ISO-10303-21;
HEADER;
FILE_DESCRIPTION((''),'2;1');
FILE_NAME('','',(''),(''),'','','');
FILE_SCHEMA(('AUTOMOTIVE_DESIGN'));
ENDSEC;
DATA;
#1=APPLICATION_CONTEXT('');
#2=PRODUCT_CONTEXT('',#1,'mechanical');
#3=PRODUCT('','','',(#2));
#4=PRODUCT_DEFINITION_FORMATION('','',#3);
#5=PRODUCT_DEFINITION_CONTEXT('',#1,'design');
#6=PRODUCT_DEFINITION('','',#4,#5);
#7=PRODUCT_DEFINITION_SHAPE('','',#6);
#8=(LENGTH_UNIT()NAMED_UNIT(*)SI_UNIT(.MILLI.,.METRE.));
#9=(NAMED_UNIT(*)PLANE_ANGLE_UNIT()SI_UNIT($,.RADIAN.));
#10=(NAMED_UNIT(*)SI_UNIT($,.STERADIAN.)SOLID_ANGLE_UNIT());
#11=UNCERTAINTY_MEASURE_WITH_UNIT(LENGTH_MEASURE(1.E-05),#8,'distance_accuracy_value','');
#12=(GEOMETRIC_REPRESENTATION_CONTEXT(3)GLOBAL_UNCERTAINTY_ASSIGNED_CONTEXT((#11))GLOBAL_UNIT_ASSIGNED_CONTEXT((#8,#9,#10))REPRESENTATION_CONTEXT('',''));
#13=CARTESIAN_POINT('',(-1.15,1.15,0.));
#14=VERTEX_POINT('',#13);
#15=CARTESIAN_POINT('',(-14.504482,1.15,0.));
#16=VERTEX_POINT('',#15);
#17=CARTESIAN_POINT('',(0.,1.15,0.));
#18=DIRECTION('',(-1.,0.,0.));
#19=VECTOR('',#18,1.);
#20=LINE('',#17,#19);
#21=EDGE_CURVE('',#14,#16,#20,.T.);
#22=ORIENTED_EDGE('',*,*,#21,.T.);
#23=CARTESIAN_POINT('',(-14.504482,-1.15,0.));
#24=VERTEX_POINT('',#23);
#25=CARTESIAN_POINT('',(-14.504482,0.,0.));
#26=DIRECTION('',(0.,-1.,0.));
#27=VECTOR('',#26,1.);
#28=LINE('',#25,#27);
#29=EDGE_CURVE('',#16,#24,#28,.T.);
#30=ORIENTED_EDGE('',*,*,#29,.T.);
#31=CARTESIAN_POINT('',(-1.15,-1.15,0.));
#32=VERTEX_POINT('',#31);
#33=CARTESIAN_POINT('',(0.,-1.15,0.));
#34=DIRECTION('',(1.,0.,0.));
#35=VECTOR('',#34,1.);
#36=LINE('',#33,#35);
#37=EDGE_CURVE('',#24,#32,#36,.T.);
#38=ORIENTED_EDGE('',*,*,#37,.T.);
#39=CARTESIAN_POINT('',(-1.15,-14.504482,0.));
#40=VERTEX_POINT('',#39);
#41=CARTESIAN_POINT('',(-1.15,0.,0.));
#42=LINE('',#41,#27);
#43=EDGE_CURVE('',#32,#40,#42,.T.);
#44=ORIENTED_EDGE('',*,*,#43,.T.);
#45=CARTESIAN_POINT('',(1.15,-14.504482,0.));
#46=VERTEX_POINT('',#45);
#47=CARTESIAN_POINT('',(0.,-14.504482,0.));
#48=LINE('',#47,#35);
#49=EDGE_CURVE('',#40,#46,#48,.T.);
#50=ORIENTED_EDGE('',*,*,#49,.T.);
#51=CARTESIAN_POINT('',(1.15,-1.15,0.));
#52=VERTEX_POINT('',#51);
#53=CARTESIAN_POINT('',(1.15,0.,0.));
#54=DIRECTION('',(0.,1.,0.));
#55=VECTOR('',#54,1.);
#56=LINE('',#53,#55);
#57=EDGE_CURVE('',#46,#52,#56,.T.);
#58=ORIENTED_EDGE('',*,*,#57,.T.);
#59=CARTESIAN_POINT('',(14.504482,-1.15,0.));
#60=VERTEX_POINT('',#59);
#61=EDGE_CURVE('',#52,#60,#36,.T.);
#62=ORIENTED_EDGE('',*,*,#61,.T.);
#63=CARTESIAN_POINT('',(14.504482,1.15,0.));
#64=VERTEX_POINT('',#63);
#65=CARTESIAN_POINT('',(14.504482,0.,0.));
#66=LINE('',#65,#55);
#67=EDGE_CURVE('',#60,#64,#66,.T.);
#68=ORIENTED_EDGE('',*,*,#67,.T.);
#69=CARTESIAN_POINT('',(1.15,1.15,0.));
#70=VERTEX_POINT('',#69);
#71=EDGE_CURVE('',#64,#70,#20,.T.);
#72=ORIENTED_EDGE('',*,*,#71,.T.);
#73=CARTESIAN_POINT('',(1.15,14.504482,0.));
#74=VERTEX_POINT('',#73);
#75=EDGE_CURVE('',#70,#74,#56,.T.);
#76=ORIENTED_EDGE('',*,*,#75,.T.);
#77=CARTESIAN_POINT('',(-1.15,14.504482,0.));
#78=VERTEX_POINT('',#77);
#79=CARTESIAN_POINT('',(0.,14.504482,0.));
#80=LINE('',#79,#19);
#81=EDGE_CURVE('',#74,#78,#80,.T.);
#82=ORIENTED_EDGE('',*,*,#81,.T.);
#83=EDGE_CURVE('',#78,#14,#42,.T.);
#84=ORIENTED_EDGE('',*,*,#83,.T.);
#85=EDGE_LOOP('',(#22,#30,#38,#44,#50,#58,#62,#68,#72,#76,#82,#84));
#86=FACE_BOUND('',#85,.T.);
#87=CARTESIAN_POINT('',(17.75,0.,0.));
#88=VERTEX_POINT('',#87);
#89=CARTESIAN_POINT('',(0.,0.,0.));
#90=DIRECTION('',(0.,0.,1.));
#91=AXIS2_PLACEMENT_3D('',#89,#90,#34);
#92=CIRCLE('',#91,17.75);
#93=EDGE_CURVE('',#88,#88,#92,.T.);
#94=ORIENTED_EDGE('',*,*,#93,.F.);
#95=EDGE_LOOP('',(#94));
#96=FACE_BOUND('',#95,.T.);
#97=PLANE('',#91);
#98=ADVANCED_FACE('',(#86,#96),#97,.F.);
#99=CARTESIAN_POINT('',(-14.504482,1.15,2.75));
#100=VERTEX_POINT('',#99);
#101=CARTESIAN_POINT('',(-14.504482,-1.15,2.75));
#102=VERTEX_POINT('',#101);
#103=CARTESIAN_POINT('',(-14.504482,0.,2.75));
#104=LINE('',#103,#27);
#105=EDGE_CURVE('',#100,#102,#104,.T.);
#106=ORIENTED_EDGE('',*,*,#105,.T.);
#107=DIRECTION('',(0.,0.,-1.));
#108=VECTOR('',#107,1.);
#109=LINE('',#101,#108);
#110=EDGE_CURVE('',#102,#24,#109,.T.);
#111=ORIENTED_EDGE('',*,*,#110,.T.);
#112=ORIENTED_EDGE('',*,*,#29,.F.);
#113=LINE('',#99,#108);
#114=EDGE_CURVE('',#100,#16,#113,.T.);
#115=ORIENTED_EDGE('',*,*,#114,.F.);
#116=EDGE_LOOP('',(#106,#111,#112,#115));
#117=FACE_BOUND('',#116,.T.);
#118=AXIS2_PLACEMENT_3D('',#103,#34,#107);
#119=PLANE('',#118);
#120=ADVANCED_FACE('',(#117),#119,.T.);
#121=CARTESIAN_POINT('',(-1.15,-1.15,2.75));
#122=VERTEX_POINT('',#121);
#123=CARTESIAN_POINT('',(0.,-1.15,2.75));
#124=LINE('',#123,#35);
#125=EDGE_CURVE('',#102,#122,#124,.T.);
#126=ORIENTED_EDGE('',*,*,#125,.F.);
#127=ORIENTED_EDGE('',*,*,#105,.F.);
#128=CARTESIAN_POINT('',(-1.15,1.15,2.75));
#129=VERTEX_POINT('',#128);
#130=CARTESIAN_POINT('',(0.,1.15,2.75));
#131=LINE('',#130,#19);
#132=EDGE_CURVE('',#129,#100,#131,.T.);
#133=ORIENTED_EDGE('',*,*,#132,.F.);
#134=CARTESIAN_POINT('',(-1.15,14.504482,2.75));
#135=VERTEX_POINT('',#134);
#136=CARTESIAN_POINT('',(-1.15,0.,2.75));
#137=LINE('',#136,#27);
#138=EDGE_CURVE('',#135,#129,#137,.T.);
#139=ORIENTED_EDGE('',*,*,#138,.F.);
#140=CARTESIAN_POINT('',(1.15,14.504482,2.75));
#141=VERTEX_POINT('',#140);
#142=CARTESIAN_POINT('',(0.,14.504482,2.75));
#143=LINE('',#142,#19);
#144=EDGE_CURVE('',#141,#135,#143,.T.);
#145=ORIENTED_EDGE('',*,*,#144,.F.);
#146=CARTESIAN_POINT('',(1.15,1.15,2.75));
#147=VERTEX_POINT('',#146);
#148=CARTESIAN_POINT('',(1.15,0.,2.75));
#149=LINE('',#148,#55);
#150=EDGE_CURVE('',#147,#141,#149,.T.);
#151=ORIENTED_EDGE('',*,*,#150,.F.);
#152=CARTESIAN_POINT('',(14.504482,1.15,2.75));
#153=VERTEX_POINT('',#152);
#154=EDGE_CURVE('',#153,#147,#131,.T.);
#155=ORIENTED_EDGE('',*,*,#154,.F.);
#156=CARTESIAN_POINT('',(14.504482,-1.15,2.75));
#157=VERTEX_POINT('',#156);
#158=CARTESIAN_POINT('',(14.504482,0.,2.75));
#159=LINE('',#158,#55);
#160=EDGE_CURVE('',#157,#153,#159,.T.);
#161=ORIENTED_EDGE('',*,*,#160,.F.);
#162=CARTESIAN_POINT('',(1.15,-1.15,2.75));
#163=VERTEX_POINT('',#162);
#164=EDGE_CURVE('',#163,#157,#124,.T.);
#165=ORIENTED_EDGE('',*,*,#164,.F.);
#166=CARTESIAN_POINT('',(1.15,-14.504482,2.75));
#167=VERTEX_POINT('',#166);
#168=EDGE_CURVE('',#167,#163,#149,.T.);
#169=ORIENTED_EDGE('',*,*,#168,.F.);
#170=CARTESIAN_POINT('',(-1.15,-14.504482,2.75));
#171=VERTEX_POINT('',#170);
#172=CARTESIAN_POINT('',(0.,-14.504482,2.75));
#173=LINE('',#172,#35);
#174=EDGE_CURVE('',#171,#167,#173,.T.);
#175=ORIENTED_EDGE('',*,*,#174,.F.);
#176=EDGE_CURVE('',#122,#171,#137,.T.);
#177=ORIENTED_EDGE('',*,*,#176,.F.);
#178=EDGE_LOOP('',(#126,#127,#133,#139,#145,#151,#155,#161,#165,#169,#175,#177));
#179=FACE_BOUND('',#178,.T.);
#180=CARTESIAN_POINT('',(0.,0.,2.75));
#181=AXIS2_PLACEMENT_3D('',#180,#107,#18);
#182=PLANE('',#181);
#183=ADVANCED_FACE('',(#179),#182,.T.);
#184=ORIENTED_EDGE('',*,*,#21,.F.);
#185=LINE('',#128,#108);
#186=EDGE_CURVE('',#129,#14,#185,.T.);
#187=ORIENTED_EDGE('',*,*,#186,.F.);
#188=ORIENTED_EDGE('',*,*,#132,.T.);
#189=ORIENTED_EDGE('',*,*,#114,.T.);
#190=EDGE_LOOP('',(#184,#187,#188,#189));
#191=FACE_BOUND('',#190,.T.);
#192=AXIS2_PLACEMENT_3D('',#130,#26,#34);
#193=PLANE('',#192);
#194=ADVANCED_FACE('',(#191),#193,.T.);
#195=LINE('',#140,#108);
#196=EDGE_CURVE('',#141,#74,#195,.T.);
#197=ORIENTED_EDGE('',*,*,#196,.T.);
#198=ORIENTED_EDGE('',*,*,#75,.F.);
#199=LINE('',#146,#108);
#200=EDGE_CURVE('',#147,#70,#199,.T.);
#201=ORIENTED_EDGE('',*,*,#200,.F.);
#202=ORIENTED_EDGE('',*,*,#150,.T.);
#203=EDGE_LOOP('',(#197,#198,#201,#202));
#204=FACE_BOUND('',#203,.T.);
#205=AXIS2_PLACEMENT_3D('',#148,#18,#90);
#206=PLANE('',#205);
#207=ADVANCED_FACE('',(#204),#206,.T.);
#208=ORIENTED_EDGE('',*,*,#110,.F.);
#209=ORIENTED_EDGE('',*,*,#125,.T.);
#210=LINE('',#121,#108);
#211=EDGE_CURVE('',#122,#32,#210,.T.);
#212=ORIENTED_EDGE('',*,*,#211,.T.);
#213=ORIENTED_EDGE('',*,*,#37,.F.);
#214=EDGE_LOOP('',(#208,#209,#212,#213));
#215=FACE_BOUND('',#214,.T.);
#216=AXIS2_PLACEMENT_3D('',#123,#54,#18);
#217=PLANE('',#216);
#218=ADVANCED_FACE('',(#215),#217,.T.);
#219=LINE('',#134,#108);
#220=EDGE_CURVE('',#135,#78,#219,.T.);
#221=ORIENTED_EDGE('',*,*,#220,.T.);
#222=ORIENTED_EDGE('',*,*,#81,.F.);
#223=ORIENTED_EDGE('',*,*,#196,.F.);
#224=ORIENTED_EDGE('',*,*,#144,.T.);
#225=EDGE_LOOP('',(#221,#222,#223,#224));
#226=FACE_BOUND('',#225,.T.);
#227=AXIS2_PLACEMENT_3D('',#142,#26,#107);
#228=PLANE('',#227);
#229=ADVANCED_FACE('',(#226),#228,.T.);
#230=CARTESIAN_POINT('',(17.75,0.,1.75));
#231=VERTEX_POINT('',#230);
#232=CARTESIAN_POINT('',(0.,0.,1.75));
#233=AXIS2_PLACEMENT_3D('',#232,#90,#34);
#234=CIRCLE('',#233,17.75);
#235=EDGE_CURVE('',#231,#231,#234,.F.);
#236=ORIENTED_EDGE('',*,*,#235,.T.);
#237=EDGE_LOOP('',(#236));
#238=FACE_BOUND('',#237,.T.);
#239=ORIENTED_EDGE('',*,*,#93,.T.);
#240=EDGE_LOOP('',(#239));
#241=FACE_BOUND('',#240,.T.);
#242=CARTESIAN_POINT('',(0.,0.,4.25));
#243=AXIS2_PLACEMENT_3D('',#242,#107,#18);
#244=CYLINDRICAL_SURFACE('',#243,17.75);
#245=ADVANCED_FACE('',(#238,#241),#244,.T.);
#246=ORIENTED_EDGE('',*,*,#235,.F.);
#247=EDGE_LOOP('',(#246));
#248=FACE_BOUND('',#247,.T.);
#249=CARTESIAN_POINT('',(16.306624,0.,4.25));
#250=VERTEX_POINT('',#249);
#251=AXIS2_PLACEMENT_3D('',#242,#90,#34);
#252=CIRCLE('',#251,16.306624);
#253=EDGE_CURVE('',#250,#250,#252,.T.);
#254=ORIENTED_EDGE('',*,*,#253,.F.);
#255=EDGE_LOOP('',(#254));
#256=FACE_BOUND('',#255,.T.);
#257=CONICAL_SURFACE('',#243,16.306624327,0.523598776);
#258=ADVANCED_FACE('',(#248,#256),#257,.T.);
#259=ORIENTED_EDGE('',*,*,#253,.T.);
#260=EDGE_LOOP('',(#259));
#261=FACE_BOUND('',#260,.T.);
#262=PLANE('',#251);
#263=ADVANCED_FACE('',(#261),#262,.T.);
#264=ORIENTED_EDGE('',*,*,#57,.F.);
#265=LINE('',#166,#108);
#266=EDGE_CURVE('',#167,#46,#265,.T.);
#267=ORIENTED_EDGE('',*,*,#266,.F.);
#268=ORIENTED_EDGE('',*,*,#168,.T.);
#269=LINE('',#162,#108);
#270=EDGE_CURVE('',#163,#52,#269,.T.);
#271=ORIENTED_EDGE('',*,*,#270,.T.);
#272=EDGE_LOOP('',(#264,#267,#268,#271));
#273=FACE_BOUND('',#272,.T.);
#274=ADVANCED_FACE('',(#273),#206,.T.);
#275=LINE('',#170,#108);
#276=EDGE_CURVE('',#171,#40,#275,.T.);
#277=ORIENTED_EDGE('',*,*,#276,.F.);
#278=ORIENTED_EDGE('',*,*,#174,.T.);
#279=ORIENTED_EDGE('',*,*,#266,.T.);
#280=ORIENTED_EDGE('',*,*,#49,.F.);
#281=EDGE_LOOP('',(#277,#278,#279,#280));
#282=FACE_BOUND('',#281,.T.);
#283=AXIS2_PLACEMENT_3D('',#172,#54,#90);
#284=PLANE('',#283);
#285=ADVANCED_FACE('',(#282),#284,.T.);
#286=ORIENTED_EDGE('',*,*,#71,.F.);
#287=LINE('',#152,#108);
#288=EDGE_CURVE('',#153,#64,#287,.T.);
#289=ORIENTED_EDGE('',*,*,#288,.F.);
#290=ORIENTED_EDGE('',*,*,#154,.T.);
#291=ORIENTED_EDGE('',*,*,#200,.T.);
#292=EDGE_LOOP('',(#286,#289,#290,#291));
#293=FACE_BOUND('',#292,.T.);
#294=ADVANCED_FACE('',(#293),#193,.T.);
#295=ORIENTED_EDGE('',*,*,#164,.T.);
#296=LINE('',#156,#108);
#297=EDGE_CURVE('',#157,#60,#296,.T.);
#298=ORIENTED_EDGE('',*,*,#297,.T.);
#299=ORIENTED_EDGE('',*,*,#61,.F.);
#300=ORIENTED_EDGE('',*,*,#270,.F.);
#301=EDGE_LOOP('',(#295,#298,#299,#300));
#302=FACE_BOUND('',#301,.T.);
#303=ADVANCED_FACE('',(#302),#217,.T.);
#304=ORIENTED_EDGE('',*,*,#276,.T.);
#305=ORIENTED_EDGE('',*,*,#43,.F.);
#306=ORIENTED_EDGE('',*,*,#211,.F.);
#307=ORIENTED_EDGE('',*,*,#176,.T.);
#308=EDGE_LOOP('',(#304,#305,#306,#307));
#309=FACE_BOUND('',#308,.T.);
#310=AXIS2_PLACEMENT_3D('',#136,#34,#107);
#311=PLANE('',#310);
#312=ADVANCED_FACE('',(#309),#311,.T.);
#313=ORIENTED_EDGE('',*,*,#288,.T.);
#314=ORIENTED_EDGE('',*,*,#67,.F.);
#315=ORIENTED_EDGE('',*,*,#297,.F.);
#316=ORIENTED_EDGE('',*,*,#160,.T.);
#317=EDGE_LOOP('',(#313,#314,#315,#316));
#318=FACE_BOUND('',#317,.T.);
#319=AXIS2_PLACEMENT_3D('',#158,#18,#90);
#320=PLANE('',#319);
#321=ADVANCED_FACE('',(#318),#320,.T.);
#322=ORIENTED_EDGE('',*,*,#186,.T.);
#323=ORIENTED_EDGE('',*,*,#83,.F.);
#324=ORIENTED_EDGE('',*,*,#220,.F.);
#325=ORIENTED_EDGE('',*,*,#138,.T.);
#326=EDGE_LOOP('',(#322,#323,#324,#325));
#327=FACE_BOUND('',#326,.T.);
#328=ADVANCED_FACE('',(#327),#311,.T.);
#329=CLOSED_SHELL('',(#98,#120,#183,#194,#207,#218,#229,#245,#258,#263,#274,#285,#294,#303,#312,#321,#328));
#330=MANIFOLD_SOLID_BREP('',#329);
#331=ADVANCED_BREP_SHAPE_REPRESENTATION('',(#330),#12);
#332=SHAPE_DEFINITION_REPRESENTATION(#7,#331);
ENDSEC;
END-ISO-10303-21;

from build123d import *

# Parameters (mm, degrees)
SKETCH1_R           = 17.75
BOSS_EXTRUDE1_DEPTH = 4.25
CUT_EXTRUDE1_DEPTH  = 2.75
CHAMFER1_SIZE       = 2.5
CHAMFER1_SIZE2      = 1.443375673


with BuildPart() as part:
    # Sketch1 → Boss-Extrude1 (new body)
    with BuildSketch(Plane.XY):
        Circle(SKETCH1_R)
    extrude(amount=BOSS_EXTRUDE1_DEPTH)

    # Sketch2 → Cut-Extrude1 (cut)
    with BuildSketch(Plane(origin=(0, 0, 0), x_dir=(-1, 0, 0), z_dir=(0, 0, -1))):
        Polygon((-14.504482066, -1.15), (-14.504482066, 1.15), (-1.15, 1.15), (-1.15, 14.504482066), (1.15, 14.504482066), (1.15, 1.15), (14.504482066, 1.15), (14.504482066, -1.15), (1.15, -1.15), (1.15, -14.504482066), (-1.15, -14.504482066), (-1.15, -1.15), align=None)
    extrude(amount=-CUT_EXTRUDE1_DEPTH, mode=Mode.SUBTRACT)

    # Chamfer1
    chamfer1_edges = [part.edges().sort_by_distance(p)[0] for p in [
        (-17.75, 0, 4.25),
    ]]
    chamfer1_side = [part.faces().sort_by_distance(p)[0] for p in [
        (-17.75, 0, 2.125),
    ]]
    chamfer(chamfer1_edges, length=CHAMFER1_SIZE, length2=CHAMFER1_SIZE2, reference=chamfer1_side[0])


solid = part.part
